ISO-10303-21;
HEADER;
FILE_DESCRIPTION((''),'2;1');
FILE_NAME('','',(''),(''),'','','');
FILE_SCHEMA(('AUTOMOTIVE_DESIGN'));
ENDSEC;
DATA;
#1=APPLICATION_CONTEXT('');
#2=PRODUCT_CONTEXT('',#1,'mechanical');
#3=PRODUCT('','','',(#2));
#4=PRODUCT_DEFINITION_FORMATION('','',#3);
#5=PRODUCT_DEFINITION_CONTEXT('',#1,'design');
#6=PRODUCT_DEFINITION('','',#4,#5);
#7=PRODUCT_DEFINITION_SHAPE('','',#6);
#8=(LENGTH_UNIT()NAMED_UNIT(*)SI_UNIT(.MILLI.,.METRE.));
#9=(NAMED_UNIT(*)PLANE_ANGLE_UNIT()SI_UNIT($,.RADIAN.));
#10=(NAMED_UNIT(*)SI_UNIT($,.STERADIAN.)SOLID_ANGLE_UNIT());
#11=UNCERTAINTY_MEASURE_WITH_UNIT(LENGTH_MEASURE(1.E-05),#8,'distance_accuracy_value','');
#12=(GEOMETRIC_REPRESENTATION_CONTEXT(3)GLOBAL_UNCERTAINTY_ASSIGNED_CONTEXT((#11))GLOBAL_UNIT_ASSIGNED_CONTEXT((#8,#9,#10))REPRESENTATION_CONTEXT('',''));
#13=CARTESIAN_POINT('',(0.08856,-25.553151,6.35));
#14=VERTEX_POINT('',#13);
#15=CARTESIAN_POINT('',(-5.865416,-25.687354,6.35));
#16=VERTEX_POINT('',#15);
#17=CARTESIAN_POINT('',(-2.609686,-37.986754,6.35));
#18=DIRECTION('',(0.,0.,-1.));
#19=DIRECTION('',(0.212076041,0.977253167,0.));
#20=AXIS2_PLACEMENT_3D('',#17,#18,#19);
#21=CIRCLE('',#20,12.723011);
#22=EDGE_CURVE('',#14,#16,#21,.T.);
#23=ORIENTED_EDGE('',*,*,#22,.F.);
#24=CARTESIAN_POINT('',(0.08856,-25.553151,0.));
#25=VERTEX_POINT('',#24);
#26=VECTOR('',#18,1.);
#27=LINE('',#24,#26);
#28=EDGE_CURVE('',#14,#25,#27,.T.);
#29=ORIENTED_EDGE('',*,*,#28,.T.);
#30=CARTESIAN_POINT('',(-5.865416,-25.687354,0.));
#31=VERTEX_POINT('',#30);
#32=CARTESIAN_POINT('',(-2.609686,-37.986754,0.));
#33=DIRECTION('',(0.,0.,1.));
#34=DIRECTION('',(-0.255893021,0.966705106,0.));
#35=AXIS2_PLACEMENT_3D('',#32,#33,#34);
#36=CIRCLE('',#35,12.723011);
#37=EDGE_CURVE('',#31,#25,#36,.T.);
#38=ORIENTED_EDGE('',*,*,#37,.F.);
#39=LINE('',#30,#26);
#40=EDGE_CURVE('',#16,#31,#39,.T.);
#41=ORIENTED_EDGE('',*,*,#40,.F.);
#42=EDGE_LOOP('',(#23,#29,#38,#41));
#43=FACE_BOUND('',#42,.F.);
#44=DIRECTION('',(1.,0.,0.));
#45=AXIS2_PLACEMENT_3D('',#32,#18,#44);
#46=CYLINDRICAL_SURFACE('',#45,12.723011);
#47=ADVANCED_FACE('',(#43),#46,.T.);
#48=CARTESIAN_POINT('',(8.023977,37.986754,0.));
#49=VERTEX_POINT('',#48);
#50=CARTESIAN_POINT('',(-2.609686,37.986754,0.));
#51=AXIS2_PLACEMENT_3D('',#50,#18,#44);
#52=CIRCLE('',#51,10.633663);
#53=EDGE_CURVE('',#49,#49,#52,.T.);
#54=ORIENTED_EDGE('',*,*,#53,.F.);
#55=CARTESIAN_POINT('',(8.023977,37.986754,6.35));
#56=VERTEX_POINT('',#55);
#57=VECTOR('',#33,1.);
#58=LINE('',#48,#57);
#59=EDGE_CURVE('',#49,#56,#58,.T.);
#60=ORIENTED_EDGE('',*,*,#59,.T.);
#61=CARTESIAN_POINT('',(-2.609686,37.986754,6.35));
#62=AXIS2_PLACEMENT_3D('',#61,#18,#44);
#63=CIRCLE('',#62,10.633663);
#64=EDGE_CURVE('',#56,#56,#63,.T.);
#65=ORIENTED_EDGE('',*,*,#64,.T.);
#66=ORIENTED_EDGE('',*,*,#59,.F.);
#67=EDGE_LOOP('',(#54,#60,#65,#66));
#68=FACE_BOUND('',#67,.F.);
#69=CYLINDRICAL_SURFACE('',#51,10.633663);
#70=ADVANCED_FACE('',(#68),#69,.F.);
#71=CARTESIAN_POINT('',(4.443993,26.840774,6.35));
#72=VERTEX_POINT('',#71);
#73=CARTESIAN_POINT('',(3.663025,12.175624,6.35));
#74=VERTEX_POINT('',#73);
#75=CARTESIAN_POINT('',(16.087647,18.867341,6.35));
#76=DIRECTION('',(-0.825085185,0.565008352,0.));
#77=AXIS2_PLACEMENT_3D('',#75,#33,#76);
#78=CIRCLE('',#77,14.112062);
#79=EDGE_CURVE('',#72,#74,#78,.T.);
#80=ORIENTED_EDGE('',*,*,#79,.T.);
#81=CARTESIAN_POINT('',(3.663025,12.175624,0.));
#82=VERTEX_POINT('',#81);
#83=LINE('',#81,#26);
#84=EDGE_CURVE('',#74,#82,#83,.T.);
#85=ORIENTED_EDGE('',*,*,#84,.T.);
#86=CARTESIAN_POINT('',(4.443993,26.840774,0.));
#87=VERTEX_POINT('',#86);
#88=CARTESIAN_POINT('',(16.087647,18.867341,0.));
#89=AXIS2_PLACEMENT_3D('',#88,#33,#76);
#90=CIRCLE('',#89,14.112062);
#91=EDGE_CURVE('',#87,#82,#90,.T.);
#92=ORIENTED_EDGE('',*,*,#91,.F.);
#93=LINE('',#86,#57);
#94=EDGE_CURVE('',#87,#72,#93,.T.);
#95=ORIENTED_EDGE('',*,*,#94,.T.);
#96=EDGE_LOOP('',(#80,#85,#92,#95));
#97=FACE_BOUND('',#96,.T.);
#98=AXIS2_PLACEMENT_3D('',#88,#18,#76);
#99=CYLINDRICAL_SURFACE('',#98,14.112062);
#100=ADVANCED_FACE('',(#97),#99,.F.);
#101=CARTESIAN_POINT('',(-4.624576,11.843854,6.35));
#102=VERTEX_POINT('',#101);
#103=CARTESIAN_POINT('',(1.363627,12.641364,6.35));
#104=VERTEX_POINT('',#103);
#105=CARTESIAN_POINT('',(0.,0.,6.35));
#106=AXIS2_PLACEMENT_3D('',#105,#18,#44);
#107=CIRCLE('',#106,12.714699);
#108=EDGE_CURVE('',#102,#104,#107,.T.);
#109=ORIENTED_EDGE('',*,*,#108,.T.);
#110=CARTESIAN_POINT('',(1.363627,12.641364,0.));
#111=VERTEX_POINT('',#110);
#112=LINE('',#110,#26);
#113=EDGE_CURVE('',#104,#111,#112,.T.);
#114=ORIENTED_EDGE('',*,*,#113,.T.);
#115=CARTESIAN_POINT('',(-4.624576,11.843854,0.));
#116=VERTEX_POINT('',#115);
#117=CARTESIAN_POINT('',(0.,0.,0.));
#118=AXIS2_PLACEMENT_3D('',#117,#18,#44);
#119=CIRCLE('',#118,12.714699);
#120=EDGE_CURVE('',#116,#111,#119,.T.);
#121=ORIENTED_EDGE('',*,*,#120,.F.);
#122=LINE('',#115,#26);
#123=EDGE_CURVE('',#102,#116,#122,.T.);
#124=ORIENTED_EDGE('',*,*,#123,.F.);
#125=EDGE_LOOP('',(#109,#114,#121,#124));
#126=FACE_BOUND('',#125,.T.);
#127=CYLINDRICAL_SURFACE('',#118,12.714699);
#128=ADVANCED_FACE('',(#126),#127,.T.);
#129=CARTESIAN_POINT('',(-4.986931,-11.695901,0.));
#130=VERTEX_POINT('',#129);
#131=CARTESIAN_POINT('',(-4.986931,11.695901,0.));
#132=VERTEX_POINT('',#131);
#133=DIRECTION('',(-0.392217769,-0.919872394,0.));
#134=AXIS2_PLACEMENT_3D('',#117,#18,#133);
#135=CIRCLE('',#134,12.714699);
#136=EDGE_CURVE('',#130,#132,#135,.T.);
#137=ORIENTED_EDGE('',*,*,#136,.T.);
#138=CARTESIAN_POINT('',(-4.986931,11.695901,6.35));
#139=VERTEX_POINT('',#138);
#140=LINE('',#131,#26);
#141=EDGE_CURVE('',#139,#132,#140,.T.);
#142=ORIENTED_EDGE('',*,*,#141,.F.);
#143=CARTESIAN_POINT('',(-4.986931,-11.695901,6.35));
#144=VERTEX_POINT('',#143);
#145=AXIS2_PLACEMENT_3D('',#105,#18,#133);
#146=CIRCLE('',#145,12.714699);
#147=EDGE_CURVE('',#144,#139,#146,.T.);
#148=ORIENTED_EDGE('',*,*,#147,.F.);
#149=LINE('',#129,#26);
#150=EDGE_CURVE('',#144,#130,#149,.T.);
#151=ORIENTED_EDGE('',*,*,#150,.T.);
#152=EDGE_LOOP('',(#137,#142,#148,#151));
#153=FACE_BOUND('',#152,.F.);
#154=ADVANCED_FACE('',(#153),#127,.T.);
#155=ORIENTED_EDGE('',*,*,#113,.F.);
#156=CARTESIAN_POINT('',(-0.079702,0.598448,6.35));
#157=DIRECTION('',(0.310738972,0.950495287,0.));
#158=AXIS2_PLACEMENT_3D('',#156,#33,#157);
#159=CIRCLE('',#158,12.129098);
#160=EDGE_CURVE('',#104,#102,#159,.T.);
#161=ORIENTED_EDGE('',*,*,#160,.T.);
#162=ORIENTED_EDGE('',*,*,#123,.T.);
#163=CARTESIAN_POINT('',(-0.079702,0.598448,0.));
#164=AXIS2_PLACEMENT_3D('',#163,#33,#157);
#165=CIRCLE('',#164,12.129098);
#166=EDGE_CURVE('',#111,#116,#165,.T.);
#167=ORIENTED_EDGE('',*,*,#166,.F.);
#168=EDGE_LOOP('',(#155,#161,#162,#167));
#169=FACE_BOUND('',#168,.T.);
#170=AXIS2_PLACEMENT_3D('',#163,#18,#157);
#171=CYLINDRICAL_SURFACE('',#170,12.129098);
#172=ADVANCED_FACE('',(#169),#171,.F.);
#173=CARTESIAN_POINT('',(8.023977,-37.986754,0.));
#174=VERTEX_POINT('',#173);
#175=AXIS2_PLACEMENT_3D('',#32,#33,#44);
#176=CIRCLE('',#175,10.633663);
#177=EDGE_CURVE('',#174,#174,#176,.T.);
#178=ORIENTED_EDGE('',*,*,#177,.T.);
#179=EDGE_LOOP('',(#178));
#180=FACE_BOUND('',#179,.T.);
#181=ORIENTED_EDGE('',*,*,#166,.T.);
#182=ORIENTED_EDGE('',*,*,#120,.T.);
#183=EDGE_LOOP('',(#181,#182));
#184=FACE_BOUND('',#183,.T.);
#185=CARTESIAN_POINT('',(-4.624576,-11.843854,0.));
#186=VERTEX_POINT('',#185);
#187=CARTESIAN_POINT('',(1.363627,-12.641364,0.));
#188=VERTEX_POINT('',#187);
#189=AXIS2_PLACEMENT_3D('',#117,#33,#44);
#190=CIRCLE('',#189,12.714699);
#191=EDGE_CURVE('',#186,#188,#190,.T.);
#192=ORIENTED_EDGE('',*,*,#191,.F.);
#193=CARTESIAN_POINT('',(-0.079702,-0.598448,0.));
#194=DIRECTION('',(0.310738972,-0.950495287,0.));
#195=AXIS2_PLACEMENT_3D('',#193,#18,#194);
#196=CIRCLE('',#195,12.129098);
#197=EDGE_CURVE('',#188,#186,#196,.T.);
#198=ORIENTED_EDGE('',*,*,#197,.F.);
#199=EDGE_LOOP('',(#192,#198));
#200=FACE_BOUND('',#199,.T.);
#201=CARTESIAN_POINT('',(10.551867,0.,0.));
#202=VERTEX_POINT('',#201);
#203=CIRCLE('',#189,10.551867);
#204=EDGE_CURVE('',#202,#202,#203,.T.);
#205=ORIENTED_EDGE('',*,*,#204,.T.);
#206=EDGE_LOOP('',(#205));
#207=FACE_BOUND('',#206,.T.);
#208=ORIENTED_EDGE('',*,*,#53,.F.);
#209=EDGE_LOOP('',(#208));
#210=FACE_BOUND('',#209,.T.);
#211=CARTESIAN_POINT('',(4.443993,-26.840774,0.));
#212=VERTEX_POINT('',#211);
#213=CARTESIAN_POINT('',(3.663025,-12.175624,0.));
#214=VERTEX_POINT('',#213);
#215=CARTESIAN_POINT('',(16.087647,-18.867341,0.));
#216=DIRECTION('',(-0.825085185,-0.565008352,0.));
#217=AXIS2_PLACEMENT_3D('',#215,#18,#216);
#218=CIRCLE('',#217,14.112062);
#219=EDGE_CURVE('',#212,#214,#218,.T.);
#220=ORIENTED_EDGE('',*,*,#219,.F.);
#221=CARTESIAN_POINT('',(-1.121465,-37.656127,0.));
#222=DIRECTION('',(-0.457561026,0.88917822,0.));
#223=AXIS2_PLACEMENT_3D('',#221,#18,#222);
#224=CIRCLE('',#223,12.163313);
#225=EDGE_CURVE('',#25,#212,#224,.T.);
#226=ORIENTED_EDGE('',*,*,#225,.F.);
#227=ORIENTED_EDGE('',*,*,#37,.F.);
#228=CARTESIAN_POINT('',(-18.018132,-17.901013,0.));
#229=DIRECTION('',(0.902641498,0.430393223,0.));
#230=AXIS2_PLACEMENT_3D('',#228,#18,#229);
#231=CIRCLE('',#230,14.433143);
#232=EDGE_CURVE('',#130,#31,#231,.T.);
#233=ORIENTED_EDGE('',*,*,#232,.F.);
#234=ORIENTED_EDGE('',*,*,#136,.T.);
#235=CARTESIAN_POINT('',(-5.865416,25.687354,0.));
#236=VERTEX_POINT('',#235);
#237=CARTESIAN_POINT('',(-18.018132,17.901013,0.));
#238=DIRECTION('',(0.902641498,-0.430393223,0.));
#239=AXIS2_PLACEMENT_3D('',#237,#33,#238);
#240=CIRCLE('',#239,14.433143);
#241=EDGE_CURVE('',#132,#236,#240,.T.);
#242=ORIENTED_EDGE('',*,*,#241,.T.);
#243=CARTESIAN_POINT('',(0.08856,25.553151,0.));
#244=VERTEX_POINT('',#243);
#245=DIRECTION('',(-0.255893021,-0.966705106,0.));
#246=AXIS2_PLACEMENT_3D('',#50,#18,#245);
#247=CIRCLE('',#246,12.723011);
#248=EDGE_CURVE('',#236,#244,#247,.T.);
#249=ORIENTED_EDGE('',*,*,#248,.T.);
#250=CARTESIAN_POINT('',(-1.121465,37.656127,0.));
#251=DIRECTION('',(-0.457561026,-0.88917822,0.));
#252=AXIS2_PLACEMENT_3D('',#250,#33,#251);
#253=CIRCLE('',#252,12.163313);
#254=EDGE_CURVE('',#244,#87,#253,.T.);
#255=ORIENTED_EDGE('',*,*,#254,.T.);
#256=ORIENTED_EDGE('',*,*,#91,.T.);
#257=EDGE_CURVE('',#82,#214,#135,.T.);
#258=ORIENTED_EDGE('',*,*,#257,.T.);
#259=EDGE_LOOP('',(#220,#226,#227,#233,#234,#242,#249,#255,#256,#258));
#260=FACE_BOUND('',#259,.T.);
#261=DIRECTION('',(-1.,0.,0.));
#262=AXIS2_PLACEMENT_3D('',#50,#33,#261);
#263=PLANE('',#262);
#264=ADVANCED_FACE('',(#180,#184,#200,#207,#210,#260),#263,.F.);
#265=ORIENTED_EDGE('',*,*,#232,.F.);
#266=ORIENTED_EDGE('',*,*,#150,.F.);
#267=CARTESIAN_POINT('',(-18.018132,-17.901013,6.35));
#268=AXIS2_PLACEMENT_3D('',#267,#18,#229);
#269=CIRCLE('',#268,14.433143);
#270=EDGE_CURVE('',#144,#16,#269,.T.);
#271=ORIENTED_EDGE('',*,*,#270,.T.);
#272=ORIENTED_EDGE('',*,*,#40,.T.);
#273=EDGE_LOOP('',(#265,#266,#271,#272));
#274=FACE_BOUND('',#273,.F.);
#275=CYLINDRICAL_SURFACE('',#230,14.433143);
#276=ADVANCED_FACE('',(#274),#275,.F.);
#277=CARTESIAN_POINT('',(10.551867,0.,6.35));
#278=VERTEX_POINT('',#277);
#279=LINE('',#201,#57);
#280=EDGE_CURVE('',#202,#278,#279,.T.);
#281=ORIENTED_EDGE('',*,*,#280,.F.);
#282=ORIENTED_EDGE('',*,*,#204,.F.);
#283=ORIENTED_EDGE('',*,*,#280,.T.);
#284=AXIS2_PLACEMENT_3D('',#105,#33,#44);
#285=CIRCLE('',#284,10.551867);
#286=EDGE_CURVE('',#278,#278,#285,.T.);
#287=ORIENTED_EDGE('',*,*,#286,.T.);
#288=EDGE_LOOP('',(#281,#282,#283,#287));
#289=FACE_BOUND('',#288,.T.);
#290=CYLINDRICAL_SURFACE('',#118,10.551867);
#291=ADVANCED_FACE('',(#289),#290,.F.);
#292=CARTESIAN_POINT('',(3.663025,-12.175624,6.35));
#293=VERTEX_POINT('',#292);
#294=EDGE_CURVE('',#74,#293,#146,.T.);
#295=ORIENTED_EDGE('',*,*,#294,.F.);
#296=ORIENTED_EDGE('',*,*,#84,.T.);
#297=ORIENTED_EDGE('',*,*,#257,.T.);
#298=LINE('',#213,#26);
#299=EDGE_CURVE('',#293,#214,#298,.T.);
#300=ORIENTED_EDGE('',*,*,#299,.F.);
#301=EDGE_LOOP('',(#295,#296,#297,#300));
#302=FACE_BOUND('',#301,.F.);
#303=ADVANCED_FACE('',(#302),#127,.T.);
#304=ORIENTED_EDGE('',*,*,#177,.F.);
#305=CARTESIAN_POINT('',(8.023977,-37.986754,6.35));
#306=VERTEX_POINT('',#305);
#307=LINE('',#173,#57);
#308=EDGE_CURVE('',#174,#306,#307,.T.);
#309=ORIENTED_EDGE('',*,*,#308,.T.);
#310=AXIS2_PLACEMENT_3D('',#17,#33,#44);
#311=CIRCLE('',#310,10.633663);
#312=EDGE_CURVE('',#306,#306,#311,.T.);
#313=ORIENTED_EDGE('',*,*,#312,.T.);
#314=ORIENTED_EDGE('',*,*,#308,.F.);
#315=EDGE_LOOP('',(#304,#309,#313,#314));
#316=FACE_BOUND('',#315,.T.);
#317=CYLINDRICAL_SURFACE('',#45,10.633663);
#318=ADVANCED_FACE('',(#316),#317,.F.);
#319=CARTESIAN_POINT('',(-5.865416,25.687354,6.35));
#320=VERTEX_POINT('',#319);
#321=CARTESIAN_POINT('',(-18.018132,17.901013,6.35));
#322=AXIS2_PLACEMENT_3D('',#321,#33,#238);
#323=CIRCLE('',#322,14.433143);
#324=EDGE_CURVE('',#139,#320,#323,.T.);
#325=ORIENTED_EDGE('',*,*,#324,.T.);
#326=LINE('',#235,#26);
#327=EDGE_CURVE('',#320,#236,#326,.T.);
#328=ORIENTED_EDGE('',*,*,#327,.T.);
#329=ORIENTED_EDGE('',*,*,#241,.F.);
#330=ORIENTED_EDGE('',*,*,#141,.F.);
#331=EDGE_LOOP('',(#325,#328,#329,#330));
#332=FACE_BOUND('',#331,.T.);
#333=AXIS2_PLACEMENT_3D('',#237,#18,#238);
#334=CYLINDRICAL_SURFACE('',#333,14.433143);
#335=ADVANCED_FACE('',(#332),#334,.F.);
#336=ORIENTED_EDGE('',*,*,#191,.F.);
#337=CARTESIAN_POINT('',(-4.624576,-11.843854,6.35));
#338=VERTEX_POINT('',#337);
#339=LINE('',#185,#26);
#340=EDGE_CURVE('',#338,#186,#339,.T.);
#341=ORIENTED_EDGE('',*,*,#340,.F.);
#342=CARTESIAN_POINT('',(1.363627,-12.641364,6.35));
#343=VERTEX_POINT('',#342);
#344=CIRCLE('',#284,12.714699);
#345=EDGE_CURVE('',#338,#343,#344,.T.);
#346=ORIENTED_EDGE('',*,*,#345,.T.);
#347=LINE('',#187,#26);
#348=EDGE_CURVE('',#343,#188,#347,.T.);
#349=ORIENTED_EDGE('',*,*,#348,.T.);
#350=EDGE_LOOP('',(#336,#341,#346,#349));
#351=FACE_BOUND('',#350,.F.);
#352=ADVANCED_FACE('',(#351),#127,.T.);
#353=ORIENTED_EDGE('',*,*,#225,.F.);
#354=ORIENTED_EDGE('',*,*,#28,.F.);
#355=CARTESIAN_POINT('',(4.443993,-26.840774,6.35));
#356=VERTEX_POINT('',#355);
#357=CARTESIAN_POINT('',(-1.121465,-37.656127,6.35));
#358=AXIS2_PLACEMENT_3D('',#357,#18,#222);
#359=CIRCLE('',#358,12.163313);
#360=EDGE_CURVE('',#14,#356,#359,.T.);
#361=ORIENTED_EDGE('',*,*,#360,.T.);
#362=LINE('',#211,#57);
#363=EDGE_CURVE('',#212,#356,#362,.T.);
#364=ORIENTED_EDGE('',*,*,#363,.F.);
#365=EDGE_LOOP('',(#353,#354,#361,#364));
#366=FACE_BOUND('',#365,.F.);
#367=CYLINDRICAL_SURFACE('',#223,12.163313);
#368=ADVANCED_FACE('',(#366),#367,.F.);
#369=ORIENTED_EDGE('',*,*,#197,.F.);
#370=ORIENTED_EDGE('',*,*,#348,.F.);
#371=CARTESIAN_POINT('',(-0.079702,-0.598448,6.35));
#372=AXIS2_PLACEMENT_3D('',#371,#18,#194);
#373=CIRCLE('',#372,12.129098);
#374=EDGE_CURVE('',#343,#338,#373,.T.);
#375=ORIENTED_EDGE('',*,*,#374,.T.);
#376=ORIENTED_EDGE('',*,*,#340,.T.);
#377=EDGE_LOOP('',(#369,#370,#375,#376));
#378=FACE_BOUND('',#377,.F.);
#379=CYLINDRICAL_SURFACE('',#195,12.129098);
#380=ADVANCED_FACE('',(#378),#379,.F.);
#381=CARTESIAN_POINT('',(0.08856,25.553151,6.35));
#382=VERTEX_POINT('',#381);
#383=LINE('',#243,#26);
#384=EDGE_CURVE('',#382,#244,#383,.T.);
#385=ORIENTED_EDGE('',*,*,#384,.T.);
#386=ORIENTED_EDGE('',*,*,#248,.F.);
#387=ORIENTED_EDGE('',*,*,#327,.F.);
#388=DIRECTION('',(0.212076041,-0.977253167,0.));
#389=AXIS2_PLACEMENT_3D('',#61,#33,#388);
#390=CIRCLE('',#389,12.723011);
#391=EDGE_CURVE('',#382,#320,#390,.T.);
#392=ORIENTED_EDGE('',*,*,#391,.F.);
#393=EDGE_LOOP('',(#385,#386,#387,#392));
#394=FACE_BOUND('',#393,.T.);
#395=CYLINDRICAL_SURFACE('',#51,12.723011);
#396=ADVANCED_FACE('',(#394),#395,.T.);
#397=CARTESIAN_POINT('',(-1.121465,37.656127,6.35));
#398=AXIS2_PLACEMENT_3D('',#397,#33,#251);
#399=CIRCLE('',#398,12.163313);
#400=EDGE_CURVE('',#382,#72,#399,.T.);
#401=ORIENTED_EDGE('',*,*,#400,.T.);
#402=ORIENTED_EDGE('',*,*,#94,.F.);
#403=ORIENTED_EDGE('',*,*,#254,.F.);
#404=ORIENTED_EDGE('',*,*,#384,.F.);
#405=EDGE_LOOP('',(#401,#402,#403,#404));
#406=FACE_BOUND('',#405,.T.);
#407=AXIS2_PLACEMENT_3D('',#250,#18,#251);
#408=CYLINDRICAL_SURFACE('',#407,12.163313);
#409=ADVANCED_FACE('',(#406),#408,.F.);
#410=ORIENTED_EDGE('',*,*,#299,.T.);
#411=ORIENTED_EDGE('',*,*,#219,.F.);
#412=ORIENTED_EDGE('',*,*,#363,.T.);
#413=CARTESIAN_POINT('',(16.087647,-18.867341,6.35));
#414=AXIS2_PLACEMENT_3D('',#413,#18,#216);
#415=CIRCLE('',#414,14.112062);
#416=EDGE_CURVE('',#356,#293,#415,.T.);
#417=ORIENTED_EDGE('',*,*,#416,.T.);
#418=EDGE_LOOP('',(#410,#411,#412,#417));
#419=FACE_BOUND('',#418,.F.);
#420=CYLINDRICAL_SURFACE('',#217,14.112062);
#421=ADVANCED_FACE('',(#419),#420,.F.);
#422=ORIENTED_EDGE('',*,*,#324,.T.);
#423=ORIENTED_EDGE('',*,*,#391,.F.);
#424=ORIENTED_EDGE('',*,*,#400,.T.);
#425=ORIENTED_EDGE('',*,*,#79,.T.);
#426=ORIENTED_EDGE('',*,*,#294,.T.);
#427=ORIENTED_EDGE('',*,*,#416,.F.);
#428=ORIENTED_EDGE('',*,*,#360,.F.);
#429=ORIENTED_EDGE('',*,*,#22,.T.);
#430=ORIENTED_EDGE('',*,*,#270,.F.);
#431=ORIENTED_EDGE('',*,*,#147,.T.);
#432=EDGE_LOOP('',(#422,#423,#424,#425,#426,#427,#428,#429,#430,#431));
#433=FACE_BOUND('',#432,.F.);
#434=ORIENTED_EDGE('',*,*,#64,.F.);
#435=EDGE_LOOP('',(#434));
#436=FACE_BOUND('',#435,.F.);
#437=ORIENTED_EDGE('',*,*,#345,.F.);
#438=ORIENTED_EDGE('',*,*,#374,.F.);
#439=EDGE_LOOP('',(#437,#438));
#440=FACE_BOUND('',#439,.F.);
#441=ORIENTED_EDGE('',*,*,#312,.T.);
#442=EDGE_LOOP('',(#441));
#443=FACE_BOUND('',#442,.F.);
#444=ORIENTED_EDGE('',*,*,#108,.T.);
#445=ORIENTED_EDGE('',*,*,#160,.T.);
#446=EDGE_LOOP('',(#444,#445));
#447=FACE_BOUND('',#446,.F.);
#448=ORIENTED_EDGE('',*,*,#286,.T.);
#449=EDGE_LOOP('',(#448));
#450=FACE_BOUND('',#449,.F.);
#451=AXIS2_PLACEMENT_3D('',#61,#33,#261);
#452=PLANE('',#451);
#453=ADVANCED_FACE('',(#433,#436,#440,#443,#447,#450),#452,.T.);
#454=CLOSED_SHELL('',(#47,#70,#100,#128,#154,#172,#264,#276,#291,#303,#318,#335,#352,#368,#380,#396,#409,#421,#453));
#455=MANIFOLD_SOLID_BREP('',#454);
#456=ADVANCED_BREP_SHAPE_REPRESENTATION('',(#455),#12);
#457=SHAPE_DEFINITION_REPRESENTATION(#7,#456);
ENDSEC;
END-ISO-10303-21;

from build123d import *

# Parameters (mm, degrees)
F0_R     = 12.714699
F0_R_2   = 10.551867
F1_DEPTH = 6.35
F3_DEPTH = 6.35
F4_R     = 12.723011
F4_R_2   = 10.633663
F5_DEPTH = 6.35


with BuildPart() as f1:
    # F0 (on Top) → F1 (new body)
    with BuildSketch(Plane.XY):
        Circle(F0_R)
        Circle(F0_R_2, mode=Mode.SUBTRACT)
    extrude(amount=F1_DEPTH)

    # F2 (on Top) → F3 (join)
    with BuildSketch(Plane.XY):
        with BuildLine():
            ThreePointArc((4.443993, -26.840774), (1.994112, -19.590243), (3.689282, -12.127099))
            ThreePointArc((3.689282, -12.127099), (-0.691024, -12.712131), (-4.990178, -11.689086))
            ThreePointArc((-4.990178, -11.689086), (-3.674645, -19.507252), (-6.686923, -26.840774))
            ThreePointArc((-6.686923, -26.840774), (-1.121465, -25.492814), (4.443993, -26.840774))
        make_face()
    extrude(amount=F3_DEPTH)

    # F4 (on Top) → F5 (join)
    with BuildSketch(Plane.XY):
        with Locations((-2.609686, -37.986754)):
            Circle(F4_R)
        with Locations((-2.609686, -37.986754)):
            Circle(F4_R_2, mode=Mode.SUBTRACT)
    extrude(amount=F5_DEPTH)

    # F6: F1 across plane


with BuildPart() as f1_1:
    add(f1.part)
    add(f1.part.mirror(Plane.XZ))


solid = f1_1.part
